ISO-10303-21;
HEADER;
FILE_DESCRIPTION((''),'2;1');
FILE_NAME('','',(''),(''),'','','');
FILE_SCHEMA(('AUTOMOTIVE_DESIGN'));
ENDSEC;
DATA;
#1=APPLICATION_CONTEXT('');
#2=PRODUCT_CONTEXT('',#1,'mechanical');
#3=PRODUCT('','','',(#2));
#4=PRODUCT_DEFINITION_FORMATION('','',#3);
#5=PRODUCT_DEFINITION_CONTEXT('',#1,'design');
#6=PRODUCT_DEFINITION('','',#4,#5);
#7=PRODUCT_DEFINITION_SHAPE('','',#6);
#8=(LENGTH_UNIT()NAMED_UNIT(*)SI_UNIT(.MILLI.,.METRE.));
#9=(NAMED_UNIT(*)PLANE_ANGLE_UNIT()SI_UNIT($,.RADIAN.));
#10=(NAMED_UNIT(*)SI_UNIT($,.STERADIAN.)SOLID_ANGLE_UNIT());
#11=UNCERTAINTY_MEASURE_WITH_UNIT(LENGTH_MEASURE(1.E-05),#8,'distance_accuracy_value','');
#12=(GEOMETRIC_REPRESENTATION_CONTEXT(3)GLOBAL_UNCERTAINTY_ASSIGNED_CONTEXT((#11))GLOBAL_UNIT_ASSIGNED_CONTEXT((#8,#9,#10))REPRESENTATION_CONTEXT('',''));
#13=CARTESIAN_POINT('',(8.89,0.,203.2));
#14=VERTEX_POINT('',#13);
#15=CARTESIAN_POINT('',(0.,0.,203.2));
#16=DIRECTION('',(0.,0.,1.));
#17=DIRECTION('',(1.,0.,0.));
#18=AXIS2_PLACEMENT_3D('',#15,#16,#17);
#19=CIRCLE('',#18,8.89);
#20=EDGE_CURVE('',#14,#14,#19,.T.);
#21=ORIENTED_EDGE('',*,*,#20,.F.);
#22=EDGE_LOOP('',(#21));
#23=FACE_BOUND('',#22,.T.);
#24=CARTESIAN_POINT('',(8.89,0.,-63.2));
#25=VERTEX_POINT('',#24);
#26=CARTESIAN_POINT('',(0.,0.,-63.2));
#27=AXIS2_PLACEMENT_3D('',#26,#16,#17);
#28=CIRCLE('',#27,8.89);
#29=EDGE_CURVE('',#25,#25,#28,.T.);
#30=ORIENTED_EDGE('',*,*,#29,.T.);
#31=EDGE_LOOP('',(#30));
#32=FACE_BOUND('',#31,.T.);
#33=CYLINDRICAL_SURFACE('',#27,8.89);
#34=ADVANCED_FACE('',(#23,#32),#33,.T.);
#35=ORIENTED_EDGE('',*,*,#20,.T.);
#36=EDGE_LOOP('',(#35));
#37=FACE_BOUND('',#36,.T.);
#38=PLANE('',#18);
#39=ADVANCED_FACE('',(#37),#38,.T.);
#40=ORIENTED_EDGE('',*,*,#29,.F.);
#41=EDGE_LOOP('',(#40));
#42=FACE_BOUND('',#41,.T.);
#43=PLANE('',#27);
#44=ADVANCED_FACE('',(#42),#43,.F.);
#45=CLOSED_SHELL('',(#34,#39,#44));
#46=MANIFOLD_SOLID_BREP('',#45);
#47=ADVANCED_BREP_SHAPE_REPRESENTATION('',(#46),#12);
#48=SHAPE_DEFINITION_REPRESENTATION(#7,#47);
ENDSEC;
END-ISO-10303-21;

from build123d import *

# Parameters (mm, degrees)
BOSS_EXTRUDE1_DEPTH      = 203.2
BOSS_EXTRUDE1_DEPTH_BACK = 63.2
SKETCH1_R                = 8.89


with BuildPart() as part:
    # Sketch1 → Boss-Extrude1 (new, two sides: drawn at the far end of the back side and taken through both)
    with BuildSketch(Plane.XY.offset(-BOSS_EXTRUDE1_DEPTH_BACK)):
        Circle(SKETCH1_R)
    extrude(amount=BOSS_EXTRUDE1_DEPTH + BOSS_EXTRUDE1_DEPTH_BACK)


solid = part.part
